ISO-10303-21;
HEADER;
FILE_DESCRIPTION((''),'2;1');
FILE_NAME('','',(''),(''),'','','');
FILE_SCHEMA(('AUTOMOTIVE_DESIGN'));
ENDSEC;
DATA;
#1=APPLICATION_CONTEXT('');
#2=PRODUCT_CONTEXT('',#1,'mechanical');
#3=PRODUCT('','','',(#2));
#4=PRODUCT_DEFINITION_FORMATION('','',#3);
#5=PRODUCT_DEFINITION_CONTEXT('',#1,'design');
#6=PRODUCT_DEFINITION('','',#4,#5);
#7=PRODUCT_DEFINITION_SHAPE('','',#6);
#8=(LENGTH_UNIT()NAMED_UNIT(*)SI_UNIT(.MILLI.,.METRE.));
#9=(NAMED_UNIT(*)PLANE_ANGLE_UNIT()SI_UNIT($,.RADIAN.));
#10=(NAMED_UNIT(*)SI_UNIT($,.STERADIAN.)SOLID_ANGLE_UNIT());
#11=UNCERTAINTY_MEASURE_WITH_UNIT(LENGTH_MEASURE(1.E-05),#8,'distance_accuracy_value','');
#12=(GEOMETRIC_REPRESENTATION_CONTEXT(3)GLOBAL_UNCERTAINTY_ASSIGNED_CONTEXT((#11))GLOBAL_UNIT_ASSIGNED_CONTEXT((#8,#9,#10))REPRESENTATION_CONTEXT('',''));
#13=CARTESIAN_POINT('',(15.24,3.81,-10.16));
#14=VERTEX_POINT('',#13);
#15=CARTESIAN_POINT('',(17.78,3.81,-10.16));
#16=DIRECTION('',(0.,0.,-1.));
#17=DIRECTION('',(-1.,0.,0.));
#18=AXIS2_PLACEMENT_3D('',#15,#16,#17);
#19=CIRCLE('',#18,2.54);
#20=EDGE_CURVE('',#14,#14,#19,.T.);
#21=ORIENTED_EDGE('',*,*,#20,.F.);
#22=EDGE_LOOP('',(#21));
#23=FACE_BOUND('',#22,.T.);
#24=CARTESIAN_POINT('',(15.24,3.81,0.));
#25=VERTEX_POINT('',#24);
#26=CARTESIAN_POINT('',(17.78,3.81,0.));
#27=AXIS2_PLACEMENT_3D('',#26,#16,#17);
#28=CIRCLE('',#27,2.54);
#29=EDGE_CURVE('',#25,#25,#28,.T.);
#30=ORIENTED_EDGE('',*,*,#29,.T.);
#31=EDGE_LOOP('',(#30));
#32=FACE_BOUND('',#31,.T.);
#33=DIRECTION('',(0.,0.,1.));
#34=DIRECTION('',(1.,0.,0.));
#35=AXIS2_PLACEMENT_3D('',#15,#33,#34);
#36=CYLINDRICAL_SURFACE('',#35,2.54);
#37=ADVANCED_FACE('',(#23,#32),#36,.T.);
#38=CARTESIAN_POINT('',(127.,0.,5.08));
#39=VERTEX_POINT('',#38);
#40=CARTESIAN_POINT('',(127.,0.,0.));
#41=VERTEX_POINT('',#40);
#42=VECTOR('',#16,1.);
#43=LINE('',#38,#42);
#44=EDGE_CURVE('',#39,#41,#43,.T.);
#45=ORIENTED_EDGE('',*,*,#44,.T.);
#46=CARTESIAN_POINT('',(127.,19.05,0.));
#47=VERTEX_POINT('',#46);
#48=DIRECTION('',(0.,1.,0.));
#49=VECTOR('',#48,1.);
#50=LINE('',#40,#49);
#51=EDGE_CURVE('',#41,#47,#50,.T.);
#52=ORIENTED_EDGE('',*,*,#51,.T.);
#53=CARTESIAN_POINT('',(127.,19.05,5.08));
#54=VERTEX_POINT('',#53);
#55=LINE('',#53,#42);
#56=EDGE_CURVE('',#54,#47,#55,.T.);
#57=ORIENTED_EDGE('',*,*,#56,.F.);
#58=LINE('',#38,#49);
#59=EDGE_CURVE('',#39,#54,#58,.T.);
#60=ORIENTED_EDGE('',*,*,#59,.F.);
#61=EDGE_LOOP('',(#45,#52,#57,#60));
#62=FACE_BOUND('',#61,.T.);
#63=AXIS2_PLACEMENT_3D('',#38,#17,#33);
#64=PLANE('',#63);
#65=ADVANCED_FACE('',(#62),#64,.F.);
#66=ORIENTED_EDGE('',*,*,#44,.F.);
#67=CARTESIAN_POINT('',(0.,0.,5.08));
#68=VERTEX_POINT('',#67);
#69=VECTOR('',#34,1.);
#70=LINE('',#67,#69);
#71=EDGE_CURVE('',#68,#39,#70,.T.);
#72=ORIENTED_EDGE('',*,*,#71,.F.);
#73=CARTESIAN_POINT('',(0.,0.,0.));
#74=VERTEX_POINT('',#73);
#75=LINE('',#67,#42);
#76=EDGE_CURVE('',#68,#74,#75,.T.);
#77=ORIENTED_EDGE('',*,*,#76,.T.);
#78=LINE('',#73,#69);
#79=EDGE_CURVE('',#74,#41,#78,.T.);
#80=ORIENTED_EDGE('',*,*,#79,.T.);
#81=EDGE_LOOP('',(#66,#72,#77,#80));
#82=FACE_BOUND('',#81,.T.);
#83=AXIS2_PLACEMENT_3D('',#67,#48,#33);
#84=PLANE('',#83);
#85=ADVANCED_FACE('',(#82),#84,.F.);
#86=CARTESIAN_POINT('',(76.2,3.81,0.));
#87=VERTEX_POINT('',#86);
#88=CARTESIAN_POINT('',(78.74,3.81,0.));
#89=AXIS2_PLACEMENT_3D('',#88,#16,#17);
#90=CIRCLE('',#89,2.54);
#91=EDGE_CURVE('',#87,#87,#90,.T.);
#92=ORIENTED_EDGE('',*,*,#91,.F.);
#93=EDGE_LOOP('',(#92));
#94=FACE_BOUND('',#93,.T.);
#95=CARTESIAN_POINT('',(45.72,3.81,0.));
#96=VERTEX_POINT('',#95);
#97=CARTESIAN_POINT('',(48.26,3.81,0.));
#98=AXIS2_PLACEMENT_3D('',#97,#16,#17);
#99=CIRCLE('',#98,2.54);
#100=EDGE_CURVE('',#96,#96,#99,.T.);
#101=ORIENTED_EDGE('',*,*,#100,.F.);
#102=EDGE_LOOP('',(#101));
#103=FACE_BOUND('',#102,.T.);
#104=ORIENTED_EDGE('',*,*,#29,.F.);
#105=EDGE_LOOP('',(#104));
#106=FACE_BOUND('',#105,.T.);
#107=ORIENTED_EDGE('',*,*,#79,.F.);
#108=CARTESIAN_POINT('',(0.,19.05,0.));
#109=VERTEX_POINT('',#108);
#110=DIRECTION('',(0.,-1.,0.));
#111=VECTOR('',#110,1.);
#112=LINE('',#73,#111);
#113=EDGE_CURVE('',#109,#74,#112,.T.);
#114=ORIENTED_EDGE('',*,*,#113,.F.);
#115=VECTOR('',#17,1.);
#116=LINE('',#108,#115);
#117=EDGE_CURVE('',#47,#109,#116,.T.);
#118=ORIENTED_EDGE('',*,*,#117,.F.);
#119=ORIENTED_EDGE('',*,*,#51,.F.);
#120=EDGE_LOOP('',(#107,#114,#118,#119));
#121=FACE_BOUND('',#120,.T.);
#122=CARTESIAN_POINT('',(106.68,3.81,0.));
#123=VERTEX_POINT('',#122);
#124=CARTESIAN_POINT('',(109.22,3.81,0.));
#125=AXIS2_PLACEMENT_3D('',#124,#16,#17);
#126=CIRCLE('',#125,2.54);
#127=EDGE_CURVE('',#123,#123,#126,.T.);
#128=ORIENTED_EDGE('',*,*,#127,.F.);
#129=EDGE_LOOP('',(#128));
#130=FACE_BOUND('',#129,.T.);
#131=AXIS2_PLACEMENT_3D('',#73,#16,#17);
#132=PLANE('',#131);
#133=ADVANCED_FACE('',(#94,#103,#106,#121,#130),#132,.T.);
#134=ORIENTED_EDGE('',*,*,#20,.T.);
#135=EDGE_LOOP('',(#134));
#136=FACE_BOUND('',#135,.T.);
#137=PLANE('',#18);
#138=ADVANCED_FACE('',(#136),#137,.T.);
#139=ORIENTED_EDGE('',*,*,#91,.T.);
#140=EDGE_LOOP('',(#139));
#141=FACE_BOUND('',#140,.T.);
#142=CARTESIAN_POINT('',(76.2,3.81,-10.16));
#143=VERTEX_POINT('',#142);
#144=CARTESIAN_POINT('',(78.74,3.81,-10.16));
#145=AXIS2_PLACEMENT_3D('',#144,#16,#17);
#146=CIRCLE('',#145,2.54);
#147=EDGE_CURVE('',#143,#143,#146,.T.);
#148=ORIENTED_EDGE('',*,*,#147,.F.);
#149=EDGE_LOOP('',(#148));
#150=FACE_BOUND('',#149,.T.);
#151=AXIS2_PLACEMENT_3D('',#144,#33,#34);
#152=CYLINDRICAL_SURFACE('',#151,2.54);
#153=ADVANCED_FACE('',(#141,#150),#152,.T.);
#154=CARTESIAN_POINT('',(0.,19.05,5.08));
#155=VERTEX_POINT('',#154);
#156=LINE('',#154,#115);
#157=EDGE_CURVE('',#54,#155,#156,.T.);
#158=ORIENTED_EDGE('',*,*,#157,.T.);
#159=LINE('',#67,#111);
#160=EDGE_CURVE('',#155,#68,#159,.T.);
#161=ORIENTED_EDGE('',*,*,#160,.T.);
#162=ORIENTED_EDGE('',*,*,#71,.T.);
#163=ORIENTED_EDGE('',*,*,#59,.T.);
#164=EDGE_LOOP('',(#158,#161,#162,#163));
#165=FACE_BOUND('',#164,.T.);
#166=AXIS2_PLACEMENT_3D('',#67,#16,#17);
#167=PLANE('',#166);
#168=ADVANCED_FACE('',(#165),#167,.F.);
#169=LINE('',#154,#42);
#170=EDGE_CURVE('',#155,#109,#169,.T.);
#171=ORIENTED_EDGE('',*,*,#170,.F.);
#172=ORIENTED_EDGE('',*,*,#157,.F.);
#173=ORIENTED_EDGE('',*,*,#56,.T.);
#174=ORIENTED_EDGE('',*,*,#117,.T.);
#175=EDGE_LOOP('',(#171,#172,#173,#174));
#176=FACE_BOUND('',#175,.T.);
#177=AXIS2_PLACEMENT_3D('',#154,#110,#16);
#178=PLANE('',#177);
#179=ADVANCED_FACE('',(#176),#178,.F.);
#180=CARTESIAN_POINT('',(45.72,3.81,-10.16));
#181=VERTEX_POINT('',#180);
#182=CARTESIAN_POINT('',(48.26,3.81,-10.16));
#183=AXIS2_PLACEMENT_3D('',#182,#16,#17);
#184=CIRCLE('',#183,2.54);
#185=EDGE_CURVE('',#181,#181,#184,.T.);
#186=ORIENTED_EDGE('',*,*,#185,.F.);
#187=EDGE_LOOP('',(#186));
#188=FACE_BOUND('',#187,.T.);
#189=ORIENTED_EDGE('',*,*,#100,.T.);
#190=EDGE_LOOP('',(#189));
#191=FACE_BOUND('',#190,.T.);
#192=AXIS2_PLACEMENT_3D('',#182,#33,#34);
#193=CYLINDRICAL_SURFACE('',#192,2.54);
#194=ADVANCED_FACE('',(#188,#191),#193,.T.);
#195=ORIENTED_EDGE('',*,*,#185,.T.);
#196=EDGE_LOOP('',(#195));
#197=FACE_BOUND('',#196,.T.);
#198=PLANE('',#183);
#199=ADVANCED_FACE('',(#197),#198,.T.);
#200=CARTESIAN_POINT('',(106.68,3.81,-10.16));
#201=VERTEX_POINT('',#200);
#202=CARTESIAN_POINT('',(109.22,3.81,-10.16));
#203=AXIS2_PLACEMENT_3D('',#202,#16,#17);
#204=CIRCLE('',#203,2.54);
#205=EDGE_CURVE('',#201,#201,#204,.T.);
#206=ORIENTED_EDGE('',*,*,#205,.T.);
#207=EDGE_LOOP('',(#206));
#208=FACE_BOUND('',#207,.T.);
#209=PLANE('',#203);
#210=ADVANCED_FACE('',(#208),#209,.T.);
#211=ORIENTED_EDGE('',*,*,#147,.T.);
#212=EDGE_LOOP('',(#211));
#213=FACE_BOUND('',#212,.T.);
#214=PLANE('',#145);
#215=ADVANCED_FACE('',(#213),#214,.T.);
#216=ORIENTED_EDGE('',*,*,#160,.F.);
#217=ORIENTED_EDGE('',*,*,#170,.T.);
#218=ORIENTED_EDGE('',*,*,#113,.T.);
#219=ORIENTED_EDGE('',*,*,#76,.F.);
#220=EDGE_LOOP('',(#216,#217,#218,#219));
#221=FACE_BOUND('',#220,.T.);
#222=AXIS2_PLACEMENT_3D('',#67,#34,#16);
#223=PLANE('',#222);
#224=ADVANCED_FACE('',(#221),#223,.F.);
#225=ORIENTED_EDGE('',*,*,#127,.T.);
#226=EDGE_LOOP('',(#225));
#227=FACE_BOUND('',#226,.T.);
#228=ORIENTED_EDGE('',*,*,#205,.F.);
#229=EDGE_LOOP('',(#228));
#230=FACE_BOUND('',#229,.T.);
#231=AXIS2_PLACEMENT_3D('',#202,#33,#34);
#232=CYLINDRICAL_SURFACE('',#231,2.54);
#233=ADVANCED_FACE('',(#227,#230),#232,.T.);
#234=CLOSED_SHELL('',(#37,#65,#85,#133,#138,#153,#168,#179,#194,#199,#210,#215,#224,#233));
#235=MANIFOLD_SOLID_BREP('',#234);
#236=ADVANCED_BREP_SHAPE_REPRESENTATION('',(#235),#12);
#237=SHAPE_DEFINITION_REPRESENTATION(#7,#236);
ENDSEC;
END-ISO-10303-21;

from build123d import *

# Parameters (mm, degrees)
SKETCH1_W           = 127
SKETCH1_H           = 19.05
BOSS_EXTRUDE1_DEPTH = 5.08
SKETCH2_R           = 2.54
BOSS_EXTRUDE2_DEPTH = 10.16


with BuildPart() as part:
    # Sketch1 → Boss-Extrude1 (new body)
    with BuildSketch(Plane.XY):
        with Locations((63.5, 9.525)):
            Rectangle(SKETCH1_W, SKETCH1_H)
    extrude(amount=BOSS_EXTRUDE1_DEPTH)

    # Sketch2 → Boss-Extrude2 (add)
    with BuildSketch(Plane(origin=(0, 0, 0), x_dir=(-1, 0, 0), z_dir=(0, 0, -1))):
        with Locations((-109.22, 3.81)):
            Circle(SKETCH2_R)
        with Locations((-78.74, 3.81)):
            Circle(SKETCH2_R)
        with Locations((-48.26, 3.81)):
            Circle(SKETCH2_R)
        with Locations((-17.78, 3.81)):
            Circle(SKETCH2_R)
    extrude(amount=BOSS_EXTRUDE2_DEPTH)


solid = part.part
